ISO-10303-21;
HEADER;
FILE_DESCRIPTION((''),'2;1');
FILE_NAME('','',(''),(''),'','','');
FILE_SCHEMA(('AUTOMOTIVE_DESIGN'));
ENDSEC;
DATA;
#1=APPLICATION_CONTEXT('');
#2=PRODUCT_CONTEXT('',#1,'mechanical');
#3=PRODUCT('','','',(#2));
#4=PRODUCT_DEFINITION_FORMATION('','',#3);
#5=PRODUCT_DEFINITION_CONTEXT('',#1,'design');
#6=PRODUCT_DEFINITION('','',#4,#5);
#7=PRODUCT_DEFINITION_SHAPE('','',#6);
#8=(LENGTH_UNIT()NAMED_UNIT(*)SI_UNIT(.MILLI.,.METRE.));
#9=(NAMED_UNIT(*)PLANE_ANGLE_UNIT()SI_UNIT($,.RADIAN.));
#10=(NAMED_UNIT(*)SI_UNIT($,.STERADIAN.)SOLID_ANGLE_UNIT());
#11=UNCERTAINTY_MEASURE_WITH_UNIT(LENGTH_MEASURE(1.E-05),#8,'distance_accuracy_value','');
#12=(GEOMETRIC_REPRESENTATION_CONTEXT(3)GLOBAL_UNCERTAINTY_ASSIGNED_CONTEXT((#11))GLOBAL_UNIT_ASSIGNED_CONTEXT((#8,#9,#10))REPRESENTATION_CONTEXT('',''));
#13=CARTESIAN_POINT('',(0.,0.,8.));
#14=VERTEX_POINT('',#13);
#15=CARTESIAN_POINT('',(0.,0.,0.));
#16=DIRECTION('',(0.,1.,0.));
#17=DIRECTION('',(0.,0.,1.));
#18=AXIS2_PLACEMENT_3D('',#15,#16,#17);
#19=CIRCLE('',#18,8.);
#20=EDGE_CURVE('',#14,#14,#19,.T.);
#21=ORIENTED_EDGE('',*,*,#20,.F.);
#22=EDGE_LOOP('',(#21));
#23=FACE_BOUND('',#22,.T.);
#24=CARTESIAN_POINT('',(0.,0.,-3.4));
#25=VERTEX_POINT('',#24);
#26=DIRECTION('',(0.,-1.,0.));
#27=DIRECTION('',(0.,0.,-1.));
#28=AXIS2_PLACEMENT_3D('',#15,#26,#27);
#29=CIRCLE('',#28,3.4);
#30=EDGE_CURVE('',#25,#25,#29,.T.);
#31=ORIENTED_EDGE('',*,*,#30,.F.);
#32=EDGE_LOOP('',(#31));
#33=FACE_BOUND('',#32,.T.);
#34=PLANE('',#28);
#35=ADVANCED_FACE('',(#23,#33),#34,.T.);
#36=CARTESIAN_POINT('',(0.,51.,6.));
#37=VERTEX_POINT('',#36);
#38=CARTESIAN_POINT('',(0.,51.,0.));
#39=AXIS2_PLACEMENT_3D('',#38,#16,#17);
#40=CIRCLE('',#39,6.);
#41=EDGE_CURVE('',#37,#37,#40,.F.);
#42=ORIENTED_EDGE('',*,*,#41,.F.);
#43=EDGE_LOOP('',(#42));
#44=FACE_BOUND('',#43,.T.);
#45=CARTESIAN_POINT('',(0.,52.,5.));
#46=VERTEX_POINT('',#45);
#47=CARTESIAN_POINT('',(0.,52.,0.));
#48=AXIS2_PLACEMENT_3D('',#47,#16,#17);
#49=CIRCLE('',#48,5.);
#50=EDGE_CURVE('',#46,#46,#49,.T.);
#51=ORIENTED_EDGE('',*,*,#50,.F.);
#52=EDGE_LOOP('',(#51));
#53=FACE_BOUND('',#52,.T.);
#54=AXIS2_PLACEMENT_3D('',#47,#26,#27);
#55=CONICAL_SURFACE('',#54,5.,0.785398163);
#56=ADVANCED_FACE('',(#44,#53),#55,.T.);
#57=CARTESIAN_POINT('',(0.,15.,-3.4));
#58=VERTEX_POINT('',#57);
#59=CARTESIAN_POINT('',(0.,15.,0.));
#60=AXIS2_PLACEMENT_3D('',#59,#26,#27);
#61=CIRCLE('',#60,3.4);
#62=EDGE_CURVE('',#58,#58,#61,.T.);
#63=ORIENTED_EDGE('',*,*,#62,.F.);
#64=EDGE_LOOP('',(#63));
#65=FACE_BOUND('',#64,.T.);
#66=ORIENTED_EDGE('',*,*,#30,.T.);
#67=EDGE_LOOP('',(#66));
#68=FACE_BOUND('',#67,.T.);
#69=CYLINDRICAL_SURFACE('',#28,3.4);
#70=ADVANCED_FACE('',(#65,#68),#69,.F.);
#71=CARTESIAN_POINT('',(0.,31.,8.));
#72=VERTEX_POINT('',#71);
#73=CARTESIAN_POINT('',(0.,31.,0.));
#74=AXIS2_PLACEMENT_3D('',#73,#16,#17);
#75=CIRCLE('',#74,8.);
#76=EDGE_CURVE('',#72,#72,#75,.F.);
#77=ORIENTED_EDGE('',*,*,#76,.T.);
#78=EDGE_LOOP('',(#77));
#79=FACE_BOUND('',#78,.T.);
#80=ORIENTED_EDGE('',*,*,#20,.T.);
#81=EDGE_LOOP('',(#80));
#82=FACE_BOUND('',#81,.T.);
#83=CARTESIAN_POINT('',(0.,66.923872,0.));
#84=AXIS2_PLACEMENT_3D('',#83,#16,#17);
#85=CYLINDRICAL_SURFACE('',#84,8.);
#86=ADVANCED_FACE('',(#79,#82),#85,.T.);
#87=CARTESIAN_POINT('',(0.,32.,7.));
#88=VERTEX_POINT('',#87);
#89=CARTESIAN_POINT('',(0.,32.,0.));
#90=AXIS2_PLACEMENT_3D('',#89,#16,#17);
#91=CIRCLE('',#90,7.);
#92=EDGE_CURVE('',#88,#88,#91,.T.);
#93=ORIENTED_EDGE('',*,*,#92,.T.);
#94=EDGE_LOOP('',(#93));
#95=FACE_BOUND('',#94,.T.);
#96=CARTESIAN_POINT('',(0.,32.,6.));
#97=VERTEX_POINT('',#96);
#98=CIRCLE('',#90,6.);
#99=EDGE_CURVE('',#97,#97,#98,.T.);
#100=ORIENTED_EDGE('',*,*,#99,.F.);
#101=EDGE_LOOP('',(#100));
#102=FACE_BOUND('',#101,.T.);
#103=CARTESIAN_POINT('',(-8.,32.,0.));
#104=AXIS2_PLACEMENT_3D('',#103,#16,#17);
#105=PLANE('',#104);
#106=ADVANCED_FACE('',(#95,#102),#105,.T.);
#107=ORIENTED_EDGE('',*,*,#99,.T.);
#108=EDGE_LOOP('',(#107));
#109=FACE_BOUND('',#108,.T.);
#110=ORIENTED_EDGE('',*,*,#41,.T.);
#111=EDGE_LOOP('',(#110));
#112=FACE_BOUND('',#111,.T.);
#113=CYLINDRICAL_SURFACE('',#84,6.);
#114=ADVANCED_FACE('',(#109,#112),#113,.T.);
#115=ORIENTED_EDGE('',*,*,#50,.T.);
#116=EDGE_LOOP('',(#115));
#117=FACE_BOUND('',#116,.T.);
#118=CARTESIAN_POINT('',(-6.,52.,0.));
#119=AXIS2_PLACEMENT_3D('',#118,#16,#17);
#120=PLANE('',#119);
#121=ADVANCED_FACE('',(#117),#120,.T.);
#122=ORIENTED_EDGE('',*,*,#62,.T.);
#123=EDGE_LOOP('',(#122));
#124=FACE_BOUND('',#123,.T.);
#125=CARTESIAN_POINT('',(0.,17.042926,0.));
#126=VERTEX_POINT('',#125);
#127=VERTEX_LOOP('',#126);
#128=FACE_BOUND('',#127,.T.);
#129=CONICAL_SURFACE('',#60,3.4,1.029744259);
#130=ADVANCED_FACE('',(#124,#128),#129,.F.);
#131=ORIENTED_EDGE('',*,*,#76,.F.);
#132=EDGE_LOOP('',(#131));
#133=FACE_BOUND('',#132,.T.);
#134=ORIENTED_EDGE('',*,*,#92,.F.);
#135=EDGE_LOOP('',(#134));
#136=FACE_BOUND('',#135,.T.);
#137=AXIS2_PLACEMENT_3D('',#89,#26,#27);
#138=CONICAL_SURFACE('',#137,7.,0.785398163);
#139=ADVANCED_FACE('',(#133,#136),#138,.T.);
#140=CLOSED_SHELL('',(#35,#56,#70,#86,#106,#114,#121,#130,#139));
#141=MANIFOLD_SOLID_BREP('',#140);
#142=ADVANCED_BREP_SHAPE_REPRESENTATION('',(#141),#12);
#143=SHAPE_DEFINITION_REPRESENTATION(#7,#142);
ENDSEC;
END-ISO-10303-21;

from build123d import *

# Parameters (mm, degrees)
M8_GEWINDEBOHRUNG1_D     = 6.8
M8_GEWINDEBOHRUNG1_DEPTH = 15
M8_GEWINDEBOHRUNG1_TIP   = 2.042926105
FASE1_SIZE               = 1
FASE2_SIZE               = 1


with BuildPart() as part:
    # Skizze1 → Rotation1 (revolve)
    with BuildSketch(Plane.XY):
        Polygon((0, 0), (-8, 0), (-8, 32), (-6, 32), (-6, 52), (0, 52), align=None)
    revolve(axis=Axis((0, 66.923871734, 0), (0, -1, 0)))

    # M8 Gewindebohrung1
    with Locations(Plane(origin=(0, 0, 0), x_dir=(-1, 0, 0), z_dir=(0, -1, 0))):
        with Locations((0, 0)):
            Hole(M8_GEWINDEBOHRUNG1_D / 2, depth=M8_GEWINDEBOHRUNG1_DEPTH)
            with Locations((0, 0, -(M8_GEWINDEBOHRUNG1_DEPTH + M8_GEWINDEBOHRUNG1_TIP / 2))):  # 118° drill point
                Cone(0, M8_GEWINDEBOHRUNG1_D / 2, M8_GEWINDEBOHRUNG1_TIP, mode=Mode.SUBTRACT)

    # Fase1
    fase1_edges = [part.edges().sort_by_distance(p)[0] for p in [
        (6, 52, 0),
    ]]
    chamfer(fase1_edges, length=FASE1_SIZE)

    # Fase2
    fase2_edges = [part.edges().sort_by_distance(p)[0] for p in [
        (8, 32, 0),
    ]]
    chamfer(fase2_edges, length=FASE2_SIZE)


solid = part.part
